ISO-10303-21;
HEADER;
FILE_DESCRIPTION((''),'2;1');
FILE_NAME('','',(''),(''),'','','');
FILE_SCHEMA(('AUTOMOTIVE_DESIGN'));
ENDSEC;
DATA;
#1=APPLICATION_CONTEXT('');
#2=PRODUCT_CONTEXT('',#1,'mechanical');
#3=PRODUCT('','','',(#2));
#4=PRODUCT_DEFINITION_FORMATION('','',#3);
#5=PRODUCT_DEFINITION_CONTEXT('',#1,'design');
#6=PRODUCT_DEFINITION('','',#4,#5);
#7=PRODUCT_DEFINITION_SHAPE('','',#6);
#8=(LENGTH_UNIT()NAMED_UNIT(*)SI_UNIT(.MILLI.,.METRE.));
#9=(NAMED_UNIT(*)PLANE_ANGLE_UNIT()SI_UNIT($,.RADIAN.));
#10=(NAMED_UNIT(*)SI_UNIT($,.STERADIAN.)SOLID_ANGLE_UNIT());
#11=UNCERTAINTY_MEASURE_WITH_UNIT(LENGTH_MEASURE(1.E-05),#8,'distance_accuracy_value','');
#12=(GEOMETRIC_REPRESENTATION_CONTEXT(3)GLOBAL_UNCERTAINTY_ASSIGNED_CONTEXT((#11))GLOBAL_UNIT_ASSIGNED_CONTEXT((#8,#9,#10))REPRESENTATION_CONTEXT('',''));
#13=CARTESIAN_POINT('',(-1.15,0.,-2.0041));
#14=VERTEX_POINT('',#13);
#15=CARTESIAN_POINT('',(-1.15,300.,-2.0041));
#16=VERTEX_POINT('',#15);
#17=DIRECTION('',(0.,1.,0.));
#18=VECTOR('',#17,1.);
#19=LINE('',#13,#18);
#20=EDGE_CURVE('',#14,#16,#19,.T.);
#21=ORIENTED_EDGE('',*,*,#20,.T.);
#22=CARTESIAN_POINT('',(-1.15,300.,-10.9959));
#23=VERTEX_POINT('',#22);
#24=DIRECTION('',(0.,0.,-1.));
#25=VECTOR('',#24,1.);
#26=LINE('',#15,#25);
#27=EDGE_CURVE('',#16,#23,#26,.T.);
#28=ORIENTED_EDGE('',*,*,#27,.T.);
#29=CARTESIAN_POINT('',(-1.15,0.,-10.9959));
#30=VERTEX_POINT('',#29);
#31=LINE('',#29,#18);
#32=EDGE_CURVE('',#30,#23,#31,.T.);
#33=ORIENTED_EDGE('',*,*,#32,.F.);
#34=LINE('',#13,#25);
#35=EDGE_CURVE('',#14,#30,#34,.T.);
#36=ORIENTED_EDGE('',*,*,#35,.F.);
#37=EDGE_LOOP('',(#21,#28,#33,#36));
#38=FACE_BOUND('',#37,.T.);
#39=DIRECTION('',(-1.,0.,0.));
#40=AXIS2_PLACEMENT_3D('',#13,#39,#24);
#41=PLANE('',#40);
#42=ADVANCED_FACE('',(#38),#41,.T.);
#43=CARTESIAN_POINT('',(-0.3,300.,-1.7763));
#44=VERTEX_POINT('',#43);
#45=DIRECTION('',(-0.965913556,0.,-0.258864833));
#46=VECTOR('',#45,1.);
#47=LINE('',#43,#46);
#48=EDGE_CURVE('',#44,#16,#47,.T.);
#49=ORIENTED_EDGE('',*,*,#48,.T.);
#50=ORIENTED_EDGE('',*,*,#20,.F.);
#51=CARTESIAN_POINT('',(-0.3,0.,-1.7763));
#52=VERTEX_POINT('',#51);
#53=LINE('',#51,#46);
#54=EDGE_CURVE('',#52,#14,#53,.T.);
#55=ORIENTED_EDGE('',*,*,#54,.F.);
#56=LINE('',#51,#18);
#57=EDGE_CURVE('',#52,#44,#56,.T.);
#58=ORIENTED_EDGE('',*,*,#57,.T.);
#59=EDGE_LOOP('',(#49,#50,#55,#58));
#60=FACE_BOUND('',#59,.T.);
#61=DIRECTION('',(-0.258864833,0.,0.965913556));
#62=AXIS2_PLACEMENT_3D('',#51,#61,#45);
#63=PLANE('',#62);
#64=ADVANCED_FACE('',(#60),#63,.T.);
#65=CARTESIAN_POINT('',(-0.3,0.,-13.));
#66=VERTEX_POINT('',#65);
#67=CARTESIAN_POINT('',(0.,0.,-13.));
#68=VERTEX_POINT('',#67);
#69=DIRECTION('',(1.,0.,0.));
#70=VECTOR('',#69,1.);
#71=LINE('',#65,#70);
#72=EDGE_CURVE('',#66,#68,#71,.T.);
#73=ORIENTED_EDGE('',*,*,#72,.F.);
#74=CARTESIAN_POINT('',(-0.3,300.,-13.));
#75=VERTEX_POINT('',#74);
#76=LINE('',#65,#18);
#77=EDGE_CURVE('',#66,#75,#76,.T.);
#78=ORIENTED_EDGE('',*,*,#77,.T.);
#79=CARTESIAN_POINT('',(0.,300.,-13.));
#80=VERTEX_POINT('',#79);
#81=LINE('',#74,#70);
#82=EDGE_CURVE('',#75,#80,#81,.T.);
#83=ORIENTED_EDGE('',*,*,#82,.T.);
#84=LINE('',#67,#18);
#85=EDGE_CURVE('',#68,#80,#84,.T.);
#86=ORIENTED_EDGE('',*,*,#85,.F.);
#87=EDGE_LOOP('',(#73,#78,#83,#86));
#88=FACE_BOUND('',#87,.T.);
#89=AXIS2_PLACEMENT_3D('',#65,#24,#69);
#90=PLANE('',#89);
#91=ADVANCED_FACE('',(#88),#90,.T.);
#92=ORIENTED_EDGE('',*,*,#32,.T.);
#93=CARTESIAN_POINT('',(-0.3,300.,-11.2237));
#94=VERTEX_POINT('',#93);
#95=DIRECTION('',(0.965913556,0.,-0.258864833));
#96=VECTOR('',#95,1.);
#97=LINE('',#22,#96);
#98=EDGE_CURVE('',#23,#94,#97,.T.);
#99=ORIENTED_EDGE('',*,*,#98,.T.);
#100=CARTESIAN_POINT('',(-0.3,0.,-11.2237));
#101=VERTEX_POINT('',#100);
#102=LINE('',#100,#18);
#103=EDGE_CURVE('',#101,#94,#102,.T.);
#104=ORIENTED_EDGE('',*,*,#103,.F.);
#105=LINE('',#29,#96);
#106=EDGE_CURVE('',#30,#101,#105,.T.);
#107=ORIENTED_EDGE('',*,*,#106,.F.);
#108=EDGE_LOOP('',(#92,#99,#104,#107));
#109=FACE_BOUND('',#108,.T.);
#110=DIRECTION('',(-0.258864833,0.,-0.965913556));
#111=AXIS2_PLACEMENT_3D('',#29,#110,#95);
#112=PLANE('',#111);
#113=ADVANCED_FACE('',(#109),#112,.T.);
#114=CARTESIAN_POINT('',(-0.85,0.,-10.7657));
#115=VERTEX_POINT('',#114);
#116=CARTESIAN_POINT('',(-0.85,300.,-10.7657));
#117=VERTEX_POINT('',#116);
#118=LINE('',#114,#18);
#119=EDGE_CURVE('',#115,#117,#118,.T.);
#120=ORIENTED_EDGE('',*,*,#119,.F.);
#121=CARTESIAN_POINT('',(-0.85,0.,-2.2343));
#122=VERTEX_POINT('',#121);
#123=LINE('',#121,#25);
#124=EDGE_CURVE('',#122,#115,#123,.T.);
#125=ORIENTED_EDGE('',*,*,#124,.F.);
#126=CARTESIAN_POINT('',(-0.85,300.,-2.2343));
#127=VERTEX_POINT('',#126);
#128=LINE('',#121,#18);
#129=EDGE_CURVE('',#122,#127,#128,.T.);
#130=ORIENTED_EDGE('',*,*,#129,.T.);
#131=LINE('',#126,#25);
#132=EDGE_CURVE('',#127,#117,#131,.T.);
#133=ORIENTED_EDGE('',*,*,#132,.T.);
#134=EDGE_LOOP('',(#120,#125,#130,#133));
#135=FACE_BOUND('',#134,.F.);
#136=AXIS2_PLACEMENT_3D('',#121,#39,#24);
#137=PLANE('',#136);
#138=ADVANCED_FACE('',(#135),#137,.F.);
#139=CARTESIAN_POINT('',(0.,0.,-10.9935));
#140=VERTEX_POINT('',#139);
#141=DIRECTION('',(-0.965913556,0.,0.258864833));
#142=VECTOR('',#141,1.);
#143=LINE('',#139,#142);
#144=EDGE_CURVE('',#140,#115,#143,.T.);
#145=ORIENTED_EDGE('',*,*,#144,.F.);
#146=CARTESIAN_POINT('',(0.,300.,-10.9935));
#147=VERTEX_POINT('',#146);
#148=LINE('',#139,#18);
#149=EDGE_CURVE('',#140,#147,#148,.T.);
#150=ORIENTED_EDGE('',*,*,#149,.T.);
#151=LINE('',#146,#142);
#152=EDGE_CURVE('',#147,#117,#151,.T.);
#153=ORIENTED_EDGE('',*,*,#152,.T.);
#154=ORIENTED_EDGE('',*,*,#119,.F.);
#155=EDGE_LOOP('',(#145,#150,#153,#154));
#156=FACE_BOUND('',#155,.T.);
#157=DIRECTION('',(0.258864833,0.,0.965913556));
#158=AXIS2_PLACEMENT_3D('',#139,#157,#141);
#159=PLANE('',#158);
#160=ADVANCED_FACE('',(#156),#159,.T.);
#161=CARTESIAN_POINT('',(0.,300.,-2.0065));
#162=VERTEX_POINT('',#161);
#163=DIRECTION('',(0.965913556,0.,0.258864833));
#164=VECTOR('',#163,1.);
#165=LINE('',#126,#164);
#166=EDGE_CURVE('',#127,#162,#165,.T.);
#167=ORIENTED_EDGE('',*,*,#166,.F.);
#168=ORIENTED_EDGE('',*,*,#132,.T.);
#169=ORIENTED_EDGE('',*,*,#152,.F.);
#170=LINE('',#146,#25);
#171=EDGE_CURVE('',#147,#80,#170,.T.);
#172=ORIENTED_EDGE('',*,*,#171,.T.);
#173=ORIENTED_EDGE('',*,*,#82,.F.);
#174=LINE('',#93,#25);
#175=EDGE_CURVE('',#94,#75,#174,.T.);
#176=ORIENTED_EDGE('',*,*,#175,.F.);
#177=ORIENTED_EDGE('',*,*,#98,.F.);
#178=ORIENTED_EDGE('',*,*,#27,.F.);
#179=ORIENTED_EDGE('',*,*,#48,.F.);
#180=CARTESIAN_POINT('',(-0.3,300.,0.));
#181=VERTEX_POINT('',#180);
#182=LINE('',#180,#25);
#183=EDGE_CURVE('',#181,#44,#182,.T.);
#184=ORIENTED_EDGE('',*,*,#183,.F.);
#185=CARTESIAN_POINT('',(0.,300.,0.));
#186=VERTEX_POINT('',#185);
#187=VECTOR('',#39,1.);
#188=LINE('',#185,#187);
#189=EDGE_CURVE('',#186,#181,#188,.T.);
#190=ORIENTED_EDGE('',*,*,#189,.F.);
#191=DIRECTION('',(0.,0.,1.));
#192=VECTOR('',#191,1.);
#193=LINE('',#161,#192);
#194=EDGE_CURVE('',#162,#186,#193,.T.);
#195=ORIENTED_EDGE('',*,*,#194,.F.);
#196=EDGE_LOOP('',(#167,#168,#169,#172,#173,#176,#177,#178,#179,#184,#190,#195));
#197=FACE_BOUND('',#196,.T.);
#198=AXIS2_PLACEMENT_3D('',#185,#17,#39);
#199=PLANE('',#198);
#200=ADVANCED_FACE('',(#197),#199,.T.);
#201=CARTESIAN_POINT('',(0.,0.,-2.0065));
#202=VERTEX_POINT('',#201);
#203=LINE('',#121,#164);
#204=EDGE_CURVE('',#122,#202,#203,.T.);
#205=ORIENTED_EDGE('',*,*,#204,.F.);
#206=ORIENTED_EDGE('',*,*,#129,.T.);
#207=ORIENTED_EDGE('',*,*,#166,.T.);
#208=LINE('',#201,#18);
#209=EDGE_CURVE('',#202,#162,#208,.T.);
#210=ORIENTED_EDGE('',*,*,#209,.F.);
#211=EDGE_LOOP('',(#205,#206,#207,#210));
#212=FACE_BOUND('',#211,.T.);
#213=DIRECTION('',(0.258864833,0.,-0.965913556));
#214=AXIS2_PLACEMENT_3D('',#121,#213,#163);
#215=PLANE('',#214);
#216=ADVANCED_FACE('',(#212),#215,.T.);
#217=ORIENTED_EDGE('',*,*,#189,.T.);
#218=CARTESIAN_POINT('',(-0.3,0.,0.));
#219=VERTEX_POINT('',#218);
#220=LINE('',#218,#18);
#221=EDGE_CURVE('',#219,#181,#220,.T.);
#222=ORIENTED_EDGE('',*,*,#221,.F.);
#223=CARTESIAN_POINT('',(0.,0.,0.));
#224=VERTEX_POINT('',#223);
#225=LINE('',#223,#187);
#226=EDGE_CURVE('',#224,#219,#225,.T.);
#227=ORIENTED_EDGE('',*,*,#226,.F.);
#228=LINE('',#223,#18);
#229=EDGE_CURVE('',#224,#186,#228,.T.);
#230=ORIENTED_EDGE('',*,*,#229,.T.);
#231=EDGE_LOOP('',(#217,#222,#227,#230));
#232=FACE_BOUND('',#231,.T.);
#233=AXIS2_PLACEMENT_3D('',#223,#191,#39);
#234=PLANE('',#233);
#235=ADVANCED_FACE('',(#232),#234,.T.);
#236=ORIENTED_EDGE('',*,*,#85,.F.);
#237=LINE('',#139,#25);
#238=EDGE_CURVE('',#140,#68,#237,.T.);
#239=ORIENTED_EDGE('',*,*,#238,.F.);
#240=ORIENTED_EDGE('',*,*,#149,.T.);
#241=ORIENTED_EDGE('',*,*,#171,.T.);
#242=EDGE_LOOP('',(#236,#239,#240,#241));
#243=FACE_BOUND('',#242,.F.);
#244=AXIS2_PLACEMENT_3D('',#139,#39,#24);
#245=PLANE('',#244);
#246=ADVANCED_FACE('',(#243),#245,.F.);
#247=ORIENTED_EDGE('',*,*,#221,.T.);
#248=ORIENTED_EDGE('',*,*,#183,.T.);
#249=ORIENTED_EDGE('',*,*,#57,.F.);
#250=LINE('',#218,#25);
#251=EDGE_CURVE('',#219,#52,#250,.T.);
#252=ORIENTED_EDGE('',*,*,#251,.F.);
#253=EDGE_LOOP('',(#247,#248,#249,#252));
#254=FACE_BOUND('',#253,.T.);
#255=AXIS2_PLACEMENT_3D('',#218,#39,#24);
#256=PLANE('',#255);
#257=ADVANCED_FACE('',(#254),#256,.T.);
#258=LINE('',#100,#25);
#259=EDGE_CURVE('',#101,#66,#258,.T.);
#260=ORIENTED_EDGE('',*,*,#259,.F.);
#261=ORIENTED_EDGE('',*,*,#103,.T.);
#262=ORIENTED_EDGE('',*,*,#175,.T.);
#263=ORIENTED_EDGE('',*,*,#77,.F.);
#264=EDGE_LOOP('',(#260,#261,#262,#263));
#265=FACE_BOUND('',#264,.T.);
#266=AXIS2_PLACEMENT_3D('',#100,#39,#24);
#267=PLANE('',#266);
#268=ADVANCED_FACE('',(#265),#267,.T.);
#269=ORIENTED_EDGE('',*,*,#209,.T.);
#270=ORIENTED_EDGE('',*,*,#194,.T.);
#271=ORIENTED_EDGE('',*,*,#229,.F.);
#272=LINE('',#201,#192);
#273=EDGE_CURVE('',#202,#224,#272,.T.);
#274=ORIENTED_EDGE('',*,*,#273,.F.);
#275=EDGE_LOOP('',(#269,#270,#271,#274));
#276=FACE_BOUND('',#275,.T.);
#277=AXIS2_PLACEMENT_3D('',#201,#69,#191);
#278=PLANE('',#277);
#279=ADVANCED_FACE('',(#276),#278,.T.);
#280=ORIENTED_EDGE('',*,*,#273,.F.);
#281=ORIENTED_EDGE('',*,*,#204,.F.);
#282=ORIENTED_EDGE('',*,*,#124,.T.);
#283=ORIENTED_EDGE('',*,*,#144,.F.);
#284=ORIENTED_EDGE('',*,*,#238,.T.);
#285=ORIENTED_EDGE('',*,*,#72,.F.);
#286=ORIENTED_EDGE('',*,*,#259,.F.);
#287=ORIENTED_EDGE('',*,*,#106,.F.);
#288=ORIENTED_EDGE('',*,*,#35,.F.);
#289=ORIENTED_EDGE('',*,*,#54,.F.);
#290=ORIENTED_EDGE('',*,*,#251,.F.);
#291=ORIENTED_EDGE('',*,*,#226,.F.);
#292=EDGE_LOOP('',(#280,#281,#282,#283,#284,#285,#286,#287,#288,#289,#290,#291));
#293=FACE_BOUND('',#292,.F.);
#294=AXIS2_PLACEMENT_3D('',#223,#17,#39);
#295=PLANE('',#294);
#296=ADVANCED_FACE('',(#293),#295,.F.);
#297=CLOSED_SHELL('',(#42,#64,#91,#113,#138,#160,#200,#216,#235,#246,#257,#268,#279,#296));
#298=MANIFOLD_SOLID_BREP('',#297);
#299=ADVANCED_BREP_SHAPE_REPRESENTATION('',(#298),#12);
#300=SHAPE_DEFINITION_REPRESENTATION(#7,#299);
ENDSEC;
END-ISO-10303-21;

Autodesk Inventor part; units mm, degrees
ref_plane "YZ Plane" through (0, 0, 0) normal (1, 0, 0) x (0, 1, 0)
ref_plane "XZ Plane" through (0, 0, 0) normal (0, 1, 0) x (-1, 0, 0)
ref_plane "XY Plane" through (0, 0, 0) normal (0, 0, 1) x (1, 0, 0)
sketch "Skizze1" plane through (0, 0, 0) normal (0, 1, 0) x (-1, 0, 0)
  line L0 (0, 0) -> (1.15, 0) construction
  line L1 (1.15, 0) -> (1.15, -13) construction
  line L2 (1.15, -13) -> (0, -13) construction
  line L3 (0, -13) -> (0, 0) construction
  line L4 (0, -6.5) -> (1.15, -6.5) construction
  line L5 (0.575, -1.85) -> (0.575, -11.15) construction
  line L6 (0.3, -1.7763) -> (1.15, -2.0041) construction
  line L7 (0.85, -2.2343) -> (0, -2.0065) construction
  line L8 (0.3, 0) -> (0.3, -1.7763)
  line L9 (0.3, -11.2237) -> (1.15, -10.9959) construction
  line L10 (0, -10.9935) -> (0.85, -10.7657) construction
  line L11 (0.3, -11.2237) -> (0.3, -13)
  line L12 (0.85, -2.2343) -> (0.85, -10.7657)
  line L13 (0, 0) -> (0.3, 0)
  line L14 (0.3, -1.7763) -> (1.15, -2.0041)
  line L15 (1.15, -10.9959) -> (0.3, -11.2237)
  line L16 (0.3, -13) -> (0, -13)
  line L17 (0, -10.9935) -> (0.85, -10.7657)
  line L18 (0.85, -2.2343) -> (0, -2.0065)
  line L19 (1.15, -2.0041) -> (1.15, -10.9959)
  line L20 (0, -2.0065) -> (0, 0)
  line L21 (0, -10.9935) -> (0, -13)
  point P0 (0.575, -6.5)
  dimension "d0" = 1.15
  dimension "d1" = 13
  dimension "d4" = 9.3
  dimension "d7" = 75
  dimension "d8" = 0.3
  dimension "d9" = 0.3
  dimension "d10" = 75
  dimension "d11" = 0.3
  dimension "d12" = 0.3
extrude "Extrusion1" add sketch "Skizze1" along normal blind 300
equation "\"Biegeradius\" = Stärke"
equation "\"BreiteBiegungsfreistellung\" = Stärke"
equation "\"TiefeBiegungsfreistellung\" = 0.5 * Stärke"
equation "\"GrößeEckenfreistellung\" = 4 * Stärke"
equation "\"MinimalRest\" = 2 * Stärke"
equation "\"Übergangsradius\" = Biegeradius"
equation "\"JacobiRadiusGröße\" = Biegeradius"
equation "\"Abstandsgröße\" = Stärke"
equation "\"Stärke\" = 0.5"
properties part number "Koffer_ankerschiene_3m"
